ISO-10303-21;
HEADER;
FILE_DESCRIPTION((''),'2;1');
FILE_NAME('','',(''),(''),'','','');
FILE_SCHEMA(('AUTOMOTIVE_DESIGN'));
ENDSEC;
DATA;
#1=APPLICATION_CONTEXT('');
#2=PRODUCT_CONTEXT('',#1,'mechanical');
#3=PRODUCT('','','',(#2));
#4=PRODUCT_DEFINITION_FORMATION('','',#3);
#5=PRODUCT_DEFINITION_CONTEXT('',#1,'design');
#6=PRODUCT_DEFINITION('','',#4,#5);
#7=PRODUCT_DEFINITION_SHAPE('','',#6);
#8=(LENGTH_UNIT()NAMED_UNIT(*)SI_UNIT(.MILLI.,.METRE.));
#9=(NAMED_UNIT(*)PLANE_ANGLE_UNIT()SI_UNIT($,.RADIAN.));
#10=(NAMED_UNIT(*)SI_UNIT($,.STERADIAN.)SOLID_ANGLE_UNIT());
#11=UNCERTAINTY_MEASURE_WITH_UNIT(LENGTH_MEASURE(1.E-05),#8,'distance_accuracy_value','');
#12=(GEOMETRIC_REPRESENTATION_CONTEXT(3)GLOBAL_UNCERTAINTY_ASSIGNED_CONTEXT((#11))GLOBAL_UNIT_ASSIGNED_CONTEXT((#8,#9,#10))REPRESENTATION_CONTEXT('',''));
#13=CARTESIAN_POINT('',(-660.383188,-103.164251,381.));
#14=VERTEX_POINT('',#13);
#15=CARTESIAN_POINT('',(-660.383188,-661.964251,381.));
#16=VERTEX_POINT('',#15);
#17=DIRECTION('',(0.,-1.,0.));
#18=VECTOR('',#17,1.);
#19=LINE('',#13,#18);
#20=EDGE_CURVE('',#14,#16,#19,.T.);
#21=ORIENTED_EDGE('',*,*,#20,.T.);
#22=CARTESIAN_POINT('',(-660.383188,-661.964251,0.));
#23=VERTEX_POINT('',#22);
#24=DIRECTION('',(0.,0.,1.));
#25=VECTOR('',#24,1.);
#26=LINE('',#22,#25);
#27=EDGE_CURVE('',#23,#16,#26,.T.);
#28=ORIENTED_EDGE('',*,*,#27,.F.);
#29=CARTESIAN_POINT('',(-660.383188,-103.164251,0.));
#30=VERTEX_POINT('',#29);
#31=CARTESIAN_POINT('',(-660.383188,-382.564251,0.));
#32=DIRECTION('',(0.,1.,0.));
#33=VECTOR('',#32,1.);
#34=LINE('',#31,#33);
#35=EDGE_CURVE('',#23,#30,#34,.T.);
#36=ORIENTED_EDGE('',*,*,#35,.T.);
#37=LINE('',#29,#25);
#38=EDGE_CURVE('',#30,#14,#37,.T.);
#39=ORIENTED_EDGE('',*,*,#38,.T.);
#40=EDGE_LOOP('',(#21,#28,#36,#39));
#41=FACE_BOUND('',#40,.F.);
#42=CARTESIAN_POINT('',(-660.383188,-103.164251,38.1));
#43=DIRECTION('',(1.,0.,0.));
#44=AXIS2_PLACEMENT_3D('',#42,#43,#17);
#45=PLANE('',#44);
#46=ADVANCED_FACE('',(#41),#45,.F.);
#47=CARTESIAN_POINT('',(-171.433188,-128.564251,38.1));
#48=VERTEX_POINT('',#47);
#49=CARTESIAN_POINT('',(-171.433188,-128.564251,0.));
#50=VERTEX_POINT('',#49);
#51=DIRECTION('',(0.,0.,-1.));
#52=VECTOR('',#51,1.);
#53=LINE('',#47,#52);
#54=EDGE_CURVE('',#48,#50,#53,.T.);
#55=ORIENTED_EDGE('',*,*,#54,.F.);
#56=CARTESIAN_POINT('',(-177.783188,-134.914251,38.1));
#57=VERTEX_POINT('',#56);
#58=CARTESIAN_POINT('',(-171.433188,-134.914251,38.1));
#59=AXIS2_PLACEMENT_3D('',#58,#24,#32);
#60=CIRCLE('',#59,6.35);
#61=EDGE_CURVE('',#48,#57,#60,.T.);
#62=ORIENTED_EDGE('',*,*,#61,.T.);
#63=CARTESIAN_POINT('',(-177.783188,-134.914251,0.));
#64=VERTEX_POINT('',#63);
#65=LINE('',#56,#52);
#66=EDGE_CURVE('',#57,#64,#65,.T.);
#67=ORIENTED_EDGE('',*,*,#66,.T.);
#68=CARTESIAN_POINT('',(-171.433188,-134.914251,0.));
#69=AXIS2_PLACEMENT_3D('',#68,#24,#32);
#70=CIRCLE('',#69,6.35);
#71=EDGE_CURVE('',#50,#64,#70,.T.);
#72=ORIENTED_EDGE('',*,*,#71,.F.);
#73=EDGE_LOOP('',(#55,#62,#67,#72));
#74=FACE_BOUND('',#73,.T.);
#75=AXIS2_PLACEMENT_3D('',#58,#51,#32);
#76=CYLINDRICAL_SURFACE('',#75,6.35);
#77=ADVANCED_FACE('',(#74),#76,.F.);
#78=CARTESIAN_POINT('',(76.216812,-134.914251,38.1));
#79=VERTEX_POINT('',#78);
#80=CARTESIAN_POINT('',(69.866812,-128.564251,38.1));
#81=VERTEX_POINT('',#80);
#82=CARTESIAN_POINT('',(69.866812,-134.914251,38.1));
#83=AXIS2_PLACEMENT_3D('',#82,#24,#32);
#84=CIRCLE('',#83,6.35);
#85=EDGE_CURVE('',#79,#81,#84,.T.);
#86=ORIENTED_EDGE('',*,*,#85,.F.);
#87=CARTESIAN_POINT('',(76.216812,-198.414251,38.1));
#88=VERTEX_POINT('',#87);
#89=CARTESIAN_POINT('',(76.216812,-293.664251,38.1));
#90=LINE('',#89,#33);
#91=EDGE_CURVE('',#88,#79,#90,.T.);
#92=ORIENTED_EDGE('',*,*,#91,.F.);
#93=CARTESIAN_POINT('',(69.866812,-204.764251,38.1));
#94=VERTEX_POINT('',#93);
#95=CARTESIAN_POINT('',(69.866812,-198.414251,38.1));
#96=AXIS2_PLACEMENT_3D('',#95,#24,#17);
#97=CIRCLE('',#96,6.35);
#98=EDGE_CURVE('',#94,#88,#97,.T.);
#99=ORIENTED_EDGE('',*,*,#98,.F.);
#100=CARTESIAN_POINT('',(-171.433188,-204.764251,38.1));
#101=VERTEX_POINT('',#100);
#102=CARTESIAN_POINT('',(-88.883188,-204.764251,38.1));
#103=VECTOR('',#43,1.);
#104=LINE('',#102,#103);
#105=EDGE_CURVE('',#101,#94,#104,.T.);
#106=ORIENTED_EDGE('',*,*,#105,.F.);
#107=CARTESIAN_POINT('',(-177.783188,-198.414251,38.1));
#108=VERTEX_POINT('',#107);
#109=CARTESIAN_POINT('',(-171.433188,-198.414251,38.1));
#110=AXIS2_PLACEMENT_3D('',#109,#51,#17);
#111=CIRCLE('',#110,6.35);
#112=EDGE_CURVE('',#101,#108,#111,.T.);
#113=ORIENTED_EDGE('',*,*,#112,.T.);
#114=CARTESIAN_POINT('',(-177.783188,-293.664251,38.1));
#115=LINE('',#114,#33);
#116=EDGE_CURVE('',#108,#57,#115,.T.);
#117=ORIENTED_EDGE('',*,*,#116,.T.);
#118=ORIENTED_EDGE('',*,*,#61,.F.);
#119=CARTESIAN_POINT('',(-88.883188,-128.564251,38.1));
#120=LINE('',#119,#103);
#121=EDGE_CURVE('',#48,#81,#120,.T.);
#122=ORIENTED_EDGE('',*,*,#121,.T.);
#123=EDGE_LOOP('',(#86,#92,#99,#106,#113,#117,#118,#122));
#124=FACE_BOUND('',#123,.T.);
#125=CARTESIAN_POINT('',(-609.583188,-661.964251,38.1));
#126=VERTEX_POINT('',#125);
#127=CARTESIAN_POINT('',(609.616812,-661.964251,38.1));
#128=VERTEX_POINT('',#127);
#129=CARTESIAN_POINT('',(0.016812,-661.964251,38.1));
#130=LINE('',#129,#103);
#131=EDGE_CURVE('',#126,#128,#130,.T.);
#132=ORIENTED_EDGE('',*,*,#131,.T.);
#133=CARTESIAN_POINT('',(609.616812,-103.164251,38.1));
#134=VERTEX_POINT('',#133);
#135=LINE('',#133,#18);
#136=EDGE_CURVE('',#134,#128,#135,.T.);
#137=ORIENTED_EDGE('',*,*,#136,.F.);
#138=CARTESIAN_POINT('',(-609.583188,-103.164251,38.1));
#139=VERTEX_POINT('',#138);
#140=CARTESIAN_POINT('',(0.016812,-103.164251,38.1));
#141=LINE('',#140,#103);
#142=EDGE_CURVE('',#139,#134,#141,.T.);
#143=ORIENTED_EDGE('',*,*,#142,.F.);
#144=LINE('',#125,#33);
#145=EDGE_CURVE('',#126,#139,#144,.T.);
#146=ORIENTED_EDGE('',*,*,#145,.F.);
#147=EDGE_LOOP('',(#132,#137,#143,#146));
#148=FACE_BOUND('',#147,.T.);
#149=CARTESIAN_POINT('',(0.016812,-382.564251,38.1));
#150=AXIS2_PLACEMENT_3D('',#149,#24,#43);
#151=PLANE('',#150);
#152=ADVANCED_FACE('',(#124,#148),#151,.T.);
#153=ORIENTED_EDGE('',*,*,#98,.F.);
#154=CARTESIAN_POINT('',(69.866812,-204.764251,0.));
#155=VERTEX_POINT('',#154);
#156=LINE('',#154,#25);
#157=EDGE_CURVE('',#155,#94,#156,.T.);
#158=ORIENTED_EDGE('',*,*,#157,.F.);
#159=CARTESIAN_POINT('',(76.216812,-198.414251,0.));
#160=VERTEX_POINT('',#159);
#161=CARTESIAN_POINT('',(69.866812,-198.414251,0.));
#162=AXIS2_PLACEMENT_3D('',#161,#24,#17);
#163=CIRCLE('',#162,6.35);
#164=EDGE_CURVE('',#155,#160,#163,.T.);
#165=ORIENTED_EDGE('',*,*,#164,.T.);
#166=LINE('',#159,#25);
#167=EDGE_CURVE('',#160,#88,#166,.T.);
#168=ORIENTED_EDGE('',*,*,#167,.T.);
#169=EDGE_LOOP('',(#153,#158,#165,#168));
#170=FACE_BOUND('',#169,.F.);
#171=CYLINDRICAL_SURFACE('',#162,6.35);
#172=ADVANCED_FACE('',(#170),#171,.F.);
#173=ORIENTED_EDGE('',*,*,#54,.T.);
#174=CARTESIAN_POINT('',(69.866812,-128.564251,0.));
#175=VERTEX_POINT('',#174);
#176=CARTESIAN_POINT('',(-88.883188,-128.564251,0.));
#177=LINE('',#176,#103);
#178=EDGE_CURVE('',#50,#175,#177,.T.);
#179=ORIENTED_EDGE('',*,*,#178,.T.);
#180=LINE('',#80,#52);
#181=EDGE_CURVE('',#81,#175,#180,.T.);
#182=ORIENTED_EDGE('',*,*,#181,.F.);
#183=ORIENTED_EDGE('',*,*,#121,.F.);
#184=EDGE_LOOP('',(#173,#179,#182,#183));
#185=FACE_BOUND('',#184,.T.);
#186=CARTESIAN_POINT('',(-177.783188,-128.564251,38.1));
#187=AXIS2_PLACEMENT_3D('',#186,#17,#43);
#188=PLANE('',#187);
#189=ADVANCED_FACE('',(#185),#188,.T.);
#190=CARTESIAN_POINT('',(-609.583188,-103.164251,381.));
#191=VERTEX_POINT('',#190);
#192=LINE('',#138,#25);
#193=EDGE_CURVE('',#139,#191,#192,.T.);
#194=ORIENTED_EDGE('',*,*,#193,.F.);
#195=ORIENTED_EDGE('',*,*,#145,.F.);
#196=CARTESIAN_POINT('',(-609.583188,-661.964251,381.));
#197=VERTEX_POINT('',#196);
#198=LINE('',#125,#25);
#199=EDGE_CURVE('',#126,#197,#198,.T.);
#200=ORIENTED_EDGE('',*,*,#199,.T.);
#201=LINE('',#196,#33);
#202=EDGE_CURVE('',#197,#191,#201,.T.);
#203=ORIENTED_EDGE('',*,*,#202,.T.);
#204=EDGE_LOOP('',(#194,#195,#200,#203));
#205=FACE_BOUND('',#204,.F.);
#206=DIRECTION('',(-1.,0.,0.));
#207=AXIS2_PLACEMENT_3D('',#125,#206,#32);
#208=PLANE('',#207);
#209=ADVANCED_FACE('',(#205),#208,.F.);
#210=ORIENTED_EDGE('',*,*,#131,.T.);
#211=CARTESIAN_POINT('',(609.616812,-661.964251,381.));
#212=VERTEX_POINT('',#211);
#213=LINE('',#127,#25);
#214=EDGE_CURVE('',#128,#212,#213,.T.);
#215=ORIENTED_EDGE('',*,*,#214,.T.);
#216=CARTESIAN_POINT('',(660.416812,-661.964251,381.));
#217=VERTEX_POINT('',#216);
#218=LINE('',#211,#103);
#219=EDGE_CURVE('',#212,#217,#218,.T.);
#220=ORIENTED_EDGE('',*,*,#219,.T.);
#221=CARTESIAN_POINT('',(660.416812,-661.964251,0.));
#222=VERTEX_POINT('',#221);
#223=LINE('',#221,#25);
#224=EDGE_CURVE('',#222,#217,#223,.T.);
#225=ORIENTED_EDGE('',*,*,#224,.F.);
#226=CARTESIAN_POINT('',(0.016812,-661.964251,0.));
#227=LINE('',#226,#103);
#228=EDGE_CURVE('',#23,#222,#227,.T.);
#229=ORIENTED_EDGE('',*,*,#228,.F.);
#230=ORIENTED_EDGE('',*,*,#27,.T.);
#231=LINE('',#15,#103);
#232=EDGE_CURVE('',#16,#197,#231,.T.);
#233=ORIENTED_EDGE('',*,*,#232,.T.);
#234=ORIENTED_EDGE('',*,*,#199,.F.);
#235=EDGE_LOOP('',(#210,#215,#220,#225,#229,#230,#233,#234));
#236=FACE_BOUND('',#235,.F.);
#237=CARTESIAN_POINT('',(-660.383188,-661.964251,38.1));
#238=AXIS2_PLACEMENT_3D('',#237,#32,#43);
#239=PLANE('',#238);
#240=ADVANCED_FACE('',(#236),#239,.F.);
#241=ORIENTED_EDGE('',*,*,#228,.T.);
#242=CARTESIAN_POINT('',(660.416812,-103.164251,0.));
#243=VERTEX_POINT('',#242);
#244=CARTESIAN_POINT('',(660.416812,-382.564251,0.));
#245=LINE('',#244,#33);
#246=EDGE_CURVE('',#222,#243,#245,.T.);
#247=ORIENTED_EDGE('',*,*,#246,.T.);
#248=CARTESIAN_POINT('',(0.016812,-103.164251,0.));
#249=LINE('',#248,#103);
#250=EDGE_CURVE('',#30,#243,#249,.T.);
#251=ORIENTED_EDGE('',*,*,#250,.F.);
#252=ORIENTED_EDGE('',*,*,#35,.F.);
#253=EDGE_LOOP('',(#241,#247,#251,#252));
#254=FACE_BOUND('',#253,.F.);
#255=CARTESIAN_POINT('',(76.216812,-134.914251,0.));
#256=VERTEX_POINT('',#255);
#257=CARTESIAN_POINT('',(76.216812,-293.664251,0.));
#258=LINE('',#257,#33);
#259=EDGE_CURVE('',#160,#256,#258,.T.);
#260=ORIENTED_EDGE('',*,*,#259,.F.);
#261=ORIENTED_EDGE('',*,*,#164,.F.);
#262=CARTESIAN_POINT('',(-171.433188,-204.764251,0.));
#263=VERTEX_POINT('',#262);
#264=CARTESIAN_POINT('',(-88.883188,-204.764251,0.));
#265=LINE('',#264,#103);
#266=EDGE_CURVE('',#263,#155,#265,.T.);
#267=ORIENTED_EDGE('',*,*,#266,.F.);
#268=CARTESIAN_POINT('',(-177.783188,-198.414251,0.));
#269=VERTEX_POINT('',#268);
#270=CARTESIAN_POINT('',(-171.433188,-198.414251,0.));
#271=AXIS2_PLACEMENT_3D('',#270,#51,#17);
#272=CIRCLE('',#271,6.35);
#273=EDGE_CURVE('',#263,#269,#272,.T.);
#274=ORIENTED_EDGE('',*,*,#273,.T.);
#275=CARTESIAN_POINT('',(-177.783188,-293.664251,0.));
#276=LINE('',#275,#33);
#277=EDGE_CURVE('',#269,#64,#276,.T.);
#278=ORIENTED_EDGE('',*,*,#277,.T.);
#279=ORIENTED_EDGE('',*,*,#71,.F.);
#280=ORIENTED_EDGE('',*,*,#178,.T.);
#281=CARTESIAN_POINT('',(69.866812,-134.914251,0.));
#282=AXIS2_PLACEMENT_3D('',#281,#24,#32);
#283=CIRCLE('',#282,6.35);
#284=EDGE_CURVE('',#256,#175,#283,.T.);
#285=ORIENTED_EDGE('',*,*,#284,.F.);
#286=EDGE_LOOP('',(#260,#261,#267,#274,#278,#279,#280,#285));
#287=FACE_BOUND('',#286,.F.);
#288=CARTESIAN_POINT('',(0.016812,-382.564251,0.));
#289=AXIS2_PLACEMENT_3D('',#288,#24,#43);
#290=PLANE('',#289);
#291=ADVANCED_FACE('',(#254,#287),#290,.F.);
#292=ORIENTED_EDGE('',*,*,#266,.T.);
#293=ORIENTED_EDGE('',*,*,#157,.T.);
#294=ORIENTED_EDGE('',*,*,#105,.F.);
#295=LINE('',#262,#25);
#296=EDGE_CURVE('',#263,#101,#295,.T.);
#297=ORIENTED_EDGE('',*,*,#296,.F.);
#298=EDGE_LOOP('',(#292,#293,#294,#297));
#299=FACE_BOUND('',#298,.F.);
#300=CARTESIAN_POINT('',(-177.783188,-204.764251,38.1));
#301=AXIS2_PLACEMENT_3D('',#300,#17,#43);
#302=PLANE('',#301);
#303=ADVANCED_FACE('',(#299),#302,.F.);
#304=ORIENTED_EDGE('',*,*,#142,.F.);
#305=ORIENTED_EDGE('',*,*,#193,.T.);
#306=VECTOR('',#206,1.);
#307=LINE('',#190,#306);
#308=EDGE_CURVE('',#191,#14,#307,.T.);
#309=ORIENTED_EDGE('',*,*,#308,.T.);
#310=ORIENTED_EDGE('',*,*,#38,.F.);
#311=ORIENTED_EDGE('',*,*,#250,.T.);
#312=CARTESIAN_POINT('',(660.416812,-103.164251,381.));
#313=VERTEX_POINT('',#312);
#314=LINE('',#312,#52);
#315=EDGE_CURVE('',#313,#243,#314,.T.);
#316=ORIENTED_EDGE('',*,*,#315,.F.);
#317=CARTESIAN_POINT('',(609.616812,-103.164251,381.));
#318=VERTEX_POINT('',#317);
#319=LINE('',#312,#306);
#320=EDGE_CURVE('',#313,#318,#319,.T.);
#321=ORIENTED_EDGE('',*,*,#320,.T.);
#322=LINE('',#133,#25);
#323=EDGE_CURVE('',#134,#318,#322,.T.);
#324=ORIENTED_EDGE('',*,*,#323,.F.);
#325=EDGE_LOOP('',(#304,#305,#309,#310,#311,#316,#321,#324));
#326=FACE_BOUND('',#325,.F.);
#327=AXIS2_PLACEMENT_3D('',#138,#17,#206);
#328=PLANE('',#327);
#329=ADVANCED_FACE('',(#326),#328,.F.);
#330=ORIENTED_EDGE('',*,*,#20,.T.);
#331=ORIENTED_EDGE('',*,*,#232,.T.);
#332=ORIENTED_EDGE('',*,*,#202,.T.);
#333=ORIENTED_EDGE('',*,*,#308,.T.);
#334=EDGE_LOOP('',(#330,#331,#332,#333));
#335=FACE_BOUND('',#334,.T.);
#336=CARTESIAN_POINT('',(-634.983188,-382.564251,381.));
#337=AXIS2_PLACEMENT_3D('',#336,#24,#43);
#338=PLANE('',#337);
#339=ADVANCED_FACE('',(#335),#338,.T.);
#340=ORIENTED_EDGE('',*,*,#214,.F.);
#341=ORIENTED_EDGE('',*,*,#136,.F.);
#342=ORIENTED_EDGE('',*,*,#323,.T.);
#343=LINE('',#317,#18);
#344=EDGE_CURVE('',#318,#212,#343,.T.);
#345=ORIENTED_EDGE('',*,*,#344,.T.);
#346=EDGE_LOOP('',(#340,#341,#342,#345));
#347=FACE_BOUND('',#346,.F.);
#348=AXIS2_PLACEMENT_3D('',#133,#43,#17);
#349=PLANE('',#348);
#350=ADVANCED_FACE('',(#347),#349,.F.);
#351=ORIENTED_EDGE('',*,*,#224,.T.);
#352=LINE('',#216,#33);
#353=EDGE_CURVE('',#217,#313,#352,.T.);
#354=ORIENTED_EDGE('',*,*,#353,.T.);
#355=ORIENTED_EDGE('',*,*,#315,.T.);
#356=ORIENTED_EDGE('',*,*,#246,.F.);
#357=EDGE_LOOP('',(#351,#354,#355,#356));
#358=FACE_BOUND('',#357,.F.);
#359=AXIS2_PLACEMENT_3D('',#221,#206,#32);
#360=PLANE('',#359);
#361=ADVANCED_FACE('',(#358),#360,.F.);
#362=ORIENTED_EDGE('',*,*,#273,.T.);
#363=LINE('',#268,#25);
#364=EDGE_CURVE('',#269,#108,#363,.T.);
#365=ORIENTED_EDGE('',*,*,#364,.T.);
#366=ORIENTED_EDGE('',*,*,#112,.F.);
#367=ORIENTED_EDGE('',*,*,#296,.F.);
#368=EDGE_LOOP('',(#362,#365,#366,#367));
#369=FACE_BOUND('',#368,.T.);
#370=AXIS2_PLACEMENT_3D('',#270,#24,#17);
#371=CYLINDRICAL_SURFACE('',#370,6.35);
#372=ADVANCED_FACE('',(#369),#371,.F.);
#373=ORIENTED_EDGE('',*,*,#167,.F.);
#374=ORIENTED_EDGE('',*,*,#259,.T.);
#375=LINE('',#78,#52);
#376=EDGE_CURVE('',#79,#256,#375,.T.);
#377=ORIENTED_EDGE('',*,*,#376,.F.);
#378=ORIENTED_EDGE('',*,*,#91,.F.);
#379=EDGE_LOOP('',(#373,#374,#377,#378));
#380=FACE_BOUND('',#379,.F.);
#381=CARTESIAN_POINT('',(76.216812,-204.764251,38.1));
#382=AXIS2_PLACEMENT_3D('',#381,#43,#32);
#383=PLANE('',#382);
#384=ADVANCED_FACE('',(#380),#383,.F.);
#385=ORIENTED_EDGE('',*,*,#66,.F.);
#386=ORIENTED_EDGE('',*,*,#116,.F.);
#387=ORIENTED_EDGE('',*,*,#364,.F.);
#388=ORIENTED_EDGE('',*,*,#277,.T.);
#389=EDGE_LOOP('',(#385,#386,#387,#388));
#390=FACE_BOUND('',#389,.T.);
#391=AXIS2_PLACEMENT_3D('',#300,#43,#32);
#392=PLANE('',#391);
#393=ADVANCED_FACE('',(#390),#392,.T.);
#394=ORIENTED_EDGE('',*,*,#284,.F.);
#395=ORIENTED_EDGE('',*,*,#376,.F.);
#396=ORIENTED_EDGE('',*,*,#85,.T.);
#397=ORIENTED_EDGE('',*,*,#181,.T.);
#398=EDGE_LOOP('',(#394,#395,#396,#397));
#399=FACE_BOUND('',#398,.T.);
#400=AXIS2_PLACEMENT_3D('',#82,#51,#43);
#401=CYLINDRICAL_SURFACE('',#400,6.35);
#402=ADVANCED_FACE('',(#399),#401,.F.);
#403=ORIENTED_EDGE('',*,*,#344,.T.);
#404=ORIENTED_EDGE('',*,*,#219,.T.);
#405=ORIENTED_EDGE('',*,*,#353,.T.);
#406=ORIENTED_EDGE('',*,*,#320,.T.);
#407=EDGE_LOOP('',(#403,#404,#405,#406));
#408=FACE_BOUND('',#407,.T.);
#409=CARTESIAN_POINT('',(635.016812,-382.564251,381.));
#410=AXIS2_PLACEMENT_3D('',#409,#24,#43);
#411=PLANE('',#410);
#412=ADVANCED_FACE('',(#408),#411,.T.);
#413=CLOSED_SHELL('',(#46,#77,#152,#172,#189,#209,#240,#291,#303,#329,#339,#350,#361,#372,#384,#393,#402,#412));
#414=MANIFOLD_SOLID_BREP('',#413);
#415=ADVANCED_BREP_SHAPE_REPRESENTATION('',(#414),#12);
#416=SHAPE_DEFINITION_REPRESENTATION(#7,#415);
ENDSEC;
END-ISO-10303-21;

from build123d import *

# Parameters (mm, degrees)
F0_W     = 1320.8
F0_H     = 558.8
F1_DEPTH = 38.1
F2_W     = 254
F2_H     = 76.2
F3_DEPTH = 333.248
F4_R     = 6.35
F5_DEPTH = 342.9


with BuildPart() as f1:
    # F0 (on Top) → F1 (new body)
    with BuildSketch(Plane.XY):
        with Locations((0.0168122351, -382.5642513233)):
            Rectangle(F0_W, F0_H)
    extrude(amount=F1_DEPTH)

    # F2 (on face) → F3 (cut, symmetric)
    with BuildSketch(Plane.XY.offset(38.1)):
        with Locations((-50.7831877649, -166.6642513233)):
            Rectangle(F2_W, F2_H)
    extrude(amount=F3_DEPTH, both=True, mode=Mode.SUBTRACT)

    # F4
    f4_edges = [f1.edges().sort_by_distance(p)[0] for p in [
        (-177.783188, -128.564251, 19.05),
        (-177.783188, -204.764251, 19.05),
        (76.216812, -128.564251, 19.05),
        (76.216812, -204.764251, 19.05),
    ]]
    fillet(f4_edges, radius=F4_R)

    # F2 (on face) → F5 (join)
    with BuildSketch(Plane.XY.offset(38.1)):
        Polygon((-609.5831877649, -103.1642513233), (-660.3831877649, -103.1642513233), (-660.3831877649, -661.9642513233), (-609.5831877649, -661.9642513233), (-609.5831877649, -319.0642513233), (-609.5831877649, -300.0142513233), align=None)
        Polygon((660.4168122351, -103.1642513233), (609.6168122351, -103.1642513233), (609.6168122351, -300.0142513233), (609.6168122351, -319.0642513233), (609.6168122351, -661.9642513233), (660.4168122351, -661.9642513233), align=None)
    extrude(amount=F5_DEPTH)


solid = f1.part
